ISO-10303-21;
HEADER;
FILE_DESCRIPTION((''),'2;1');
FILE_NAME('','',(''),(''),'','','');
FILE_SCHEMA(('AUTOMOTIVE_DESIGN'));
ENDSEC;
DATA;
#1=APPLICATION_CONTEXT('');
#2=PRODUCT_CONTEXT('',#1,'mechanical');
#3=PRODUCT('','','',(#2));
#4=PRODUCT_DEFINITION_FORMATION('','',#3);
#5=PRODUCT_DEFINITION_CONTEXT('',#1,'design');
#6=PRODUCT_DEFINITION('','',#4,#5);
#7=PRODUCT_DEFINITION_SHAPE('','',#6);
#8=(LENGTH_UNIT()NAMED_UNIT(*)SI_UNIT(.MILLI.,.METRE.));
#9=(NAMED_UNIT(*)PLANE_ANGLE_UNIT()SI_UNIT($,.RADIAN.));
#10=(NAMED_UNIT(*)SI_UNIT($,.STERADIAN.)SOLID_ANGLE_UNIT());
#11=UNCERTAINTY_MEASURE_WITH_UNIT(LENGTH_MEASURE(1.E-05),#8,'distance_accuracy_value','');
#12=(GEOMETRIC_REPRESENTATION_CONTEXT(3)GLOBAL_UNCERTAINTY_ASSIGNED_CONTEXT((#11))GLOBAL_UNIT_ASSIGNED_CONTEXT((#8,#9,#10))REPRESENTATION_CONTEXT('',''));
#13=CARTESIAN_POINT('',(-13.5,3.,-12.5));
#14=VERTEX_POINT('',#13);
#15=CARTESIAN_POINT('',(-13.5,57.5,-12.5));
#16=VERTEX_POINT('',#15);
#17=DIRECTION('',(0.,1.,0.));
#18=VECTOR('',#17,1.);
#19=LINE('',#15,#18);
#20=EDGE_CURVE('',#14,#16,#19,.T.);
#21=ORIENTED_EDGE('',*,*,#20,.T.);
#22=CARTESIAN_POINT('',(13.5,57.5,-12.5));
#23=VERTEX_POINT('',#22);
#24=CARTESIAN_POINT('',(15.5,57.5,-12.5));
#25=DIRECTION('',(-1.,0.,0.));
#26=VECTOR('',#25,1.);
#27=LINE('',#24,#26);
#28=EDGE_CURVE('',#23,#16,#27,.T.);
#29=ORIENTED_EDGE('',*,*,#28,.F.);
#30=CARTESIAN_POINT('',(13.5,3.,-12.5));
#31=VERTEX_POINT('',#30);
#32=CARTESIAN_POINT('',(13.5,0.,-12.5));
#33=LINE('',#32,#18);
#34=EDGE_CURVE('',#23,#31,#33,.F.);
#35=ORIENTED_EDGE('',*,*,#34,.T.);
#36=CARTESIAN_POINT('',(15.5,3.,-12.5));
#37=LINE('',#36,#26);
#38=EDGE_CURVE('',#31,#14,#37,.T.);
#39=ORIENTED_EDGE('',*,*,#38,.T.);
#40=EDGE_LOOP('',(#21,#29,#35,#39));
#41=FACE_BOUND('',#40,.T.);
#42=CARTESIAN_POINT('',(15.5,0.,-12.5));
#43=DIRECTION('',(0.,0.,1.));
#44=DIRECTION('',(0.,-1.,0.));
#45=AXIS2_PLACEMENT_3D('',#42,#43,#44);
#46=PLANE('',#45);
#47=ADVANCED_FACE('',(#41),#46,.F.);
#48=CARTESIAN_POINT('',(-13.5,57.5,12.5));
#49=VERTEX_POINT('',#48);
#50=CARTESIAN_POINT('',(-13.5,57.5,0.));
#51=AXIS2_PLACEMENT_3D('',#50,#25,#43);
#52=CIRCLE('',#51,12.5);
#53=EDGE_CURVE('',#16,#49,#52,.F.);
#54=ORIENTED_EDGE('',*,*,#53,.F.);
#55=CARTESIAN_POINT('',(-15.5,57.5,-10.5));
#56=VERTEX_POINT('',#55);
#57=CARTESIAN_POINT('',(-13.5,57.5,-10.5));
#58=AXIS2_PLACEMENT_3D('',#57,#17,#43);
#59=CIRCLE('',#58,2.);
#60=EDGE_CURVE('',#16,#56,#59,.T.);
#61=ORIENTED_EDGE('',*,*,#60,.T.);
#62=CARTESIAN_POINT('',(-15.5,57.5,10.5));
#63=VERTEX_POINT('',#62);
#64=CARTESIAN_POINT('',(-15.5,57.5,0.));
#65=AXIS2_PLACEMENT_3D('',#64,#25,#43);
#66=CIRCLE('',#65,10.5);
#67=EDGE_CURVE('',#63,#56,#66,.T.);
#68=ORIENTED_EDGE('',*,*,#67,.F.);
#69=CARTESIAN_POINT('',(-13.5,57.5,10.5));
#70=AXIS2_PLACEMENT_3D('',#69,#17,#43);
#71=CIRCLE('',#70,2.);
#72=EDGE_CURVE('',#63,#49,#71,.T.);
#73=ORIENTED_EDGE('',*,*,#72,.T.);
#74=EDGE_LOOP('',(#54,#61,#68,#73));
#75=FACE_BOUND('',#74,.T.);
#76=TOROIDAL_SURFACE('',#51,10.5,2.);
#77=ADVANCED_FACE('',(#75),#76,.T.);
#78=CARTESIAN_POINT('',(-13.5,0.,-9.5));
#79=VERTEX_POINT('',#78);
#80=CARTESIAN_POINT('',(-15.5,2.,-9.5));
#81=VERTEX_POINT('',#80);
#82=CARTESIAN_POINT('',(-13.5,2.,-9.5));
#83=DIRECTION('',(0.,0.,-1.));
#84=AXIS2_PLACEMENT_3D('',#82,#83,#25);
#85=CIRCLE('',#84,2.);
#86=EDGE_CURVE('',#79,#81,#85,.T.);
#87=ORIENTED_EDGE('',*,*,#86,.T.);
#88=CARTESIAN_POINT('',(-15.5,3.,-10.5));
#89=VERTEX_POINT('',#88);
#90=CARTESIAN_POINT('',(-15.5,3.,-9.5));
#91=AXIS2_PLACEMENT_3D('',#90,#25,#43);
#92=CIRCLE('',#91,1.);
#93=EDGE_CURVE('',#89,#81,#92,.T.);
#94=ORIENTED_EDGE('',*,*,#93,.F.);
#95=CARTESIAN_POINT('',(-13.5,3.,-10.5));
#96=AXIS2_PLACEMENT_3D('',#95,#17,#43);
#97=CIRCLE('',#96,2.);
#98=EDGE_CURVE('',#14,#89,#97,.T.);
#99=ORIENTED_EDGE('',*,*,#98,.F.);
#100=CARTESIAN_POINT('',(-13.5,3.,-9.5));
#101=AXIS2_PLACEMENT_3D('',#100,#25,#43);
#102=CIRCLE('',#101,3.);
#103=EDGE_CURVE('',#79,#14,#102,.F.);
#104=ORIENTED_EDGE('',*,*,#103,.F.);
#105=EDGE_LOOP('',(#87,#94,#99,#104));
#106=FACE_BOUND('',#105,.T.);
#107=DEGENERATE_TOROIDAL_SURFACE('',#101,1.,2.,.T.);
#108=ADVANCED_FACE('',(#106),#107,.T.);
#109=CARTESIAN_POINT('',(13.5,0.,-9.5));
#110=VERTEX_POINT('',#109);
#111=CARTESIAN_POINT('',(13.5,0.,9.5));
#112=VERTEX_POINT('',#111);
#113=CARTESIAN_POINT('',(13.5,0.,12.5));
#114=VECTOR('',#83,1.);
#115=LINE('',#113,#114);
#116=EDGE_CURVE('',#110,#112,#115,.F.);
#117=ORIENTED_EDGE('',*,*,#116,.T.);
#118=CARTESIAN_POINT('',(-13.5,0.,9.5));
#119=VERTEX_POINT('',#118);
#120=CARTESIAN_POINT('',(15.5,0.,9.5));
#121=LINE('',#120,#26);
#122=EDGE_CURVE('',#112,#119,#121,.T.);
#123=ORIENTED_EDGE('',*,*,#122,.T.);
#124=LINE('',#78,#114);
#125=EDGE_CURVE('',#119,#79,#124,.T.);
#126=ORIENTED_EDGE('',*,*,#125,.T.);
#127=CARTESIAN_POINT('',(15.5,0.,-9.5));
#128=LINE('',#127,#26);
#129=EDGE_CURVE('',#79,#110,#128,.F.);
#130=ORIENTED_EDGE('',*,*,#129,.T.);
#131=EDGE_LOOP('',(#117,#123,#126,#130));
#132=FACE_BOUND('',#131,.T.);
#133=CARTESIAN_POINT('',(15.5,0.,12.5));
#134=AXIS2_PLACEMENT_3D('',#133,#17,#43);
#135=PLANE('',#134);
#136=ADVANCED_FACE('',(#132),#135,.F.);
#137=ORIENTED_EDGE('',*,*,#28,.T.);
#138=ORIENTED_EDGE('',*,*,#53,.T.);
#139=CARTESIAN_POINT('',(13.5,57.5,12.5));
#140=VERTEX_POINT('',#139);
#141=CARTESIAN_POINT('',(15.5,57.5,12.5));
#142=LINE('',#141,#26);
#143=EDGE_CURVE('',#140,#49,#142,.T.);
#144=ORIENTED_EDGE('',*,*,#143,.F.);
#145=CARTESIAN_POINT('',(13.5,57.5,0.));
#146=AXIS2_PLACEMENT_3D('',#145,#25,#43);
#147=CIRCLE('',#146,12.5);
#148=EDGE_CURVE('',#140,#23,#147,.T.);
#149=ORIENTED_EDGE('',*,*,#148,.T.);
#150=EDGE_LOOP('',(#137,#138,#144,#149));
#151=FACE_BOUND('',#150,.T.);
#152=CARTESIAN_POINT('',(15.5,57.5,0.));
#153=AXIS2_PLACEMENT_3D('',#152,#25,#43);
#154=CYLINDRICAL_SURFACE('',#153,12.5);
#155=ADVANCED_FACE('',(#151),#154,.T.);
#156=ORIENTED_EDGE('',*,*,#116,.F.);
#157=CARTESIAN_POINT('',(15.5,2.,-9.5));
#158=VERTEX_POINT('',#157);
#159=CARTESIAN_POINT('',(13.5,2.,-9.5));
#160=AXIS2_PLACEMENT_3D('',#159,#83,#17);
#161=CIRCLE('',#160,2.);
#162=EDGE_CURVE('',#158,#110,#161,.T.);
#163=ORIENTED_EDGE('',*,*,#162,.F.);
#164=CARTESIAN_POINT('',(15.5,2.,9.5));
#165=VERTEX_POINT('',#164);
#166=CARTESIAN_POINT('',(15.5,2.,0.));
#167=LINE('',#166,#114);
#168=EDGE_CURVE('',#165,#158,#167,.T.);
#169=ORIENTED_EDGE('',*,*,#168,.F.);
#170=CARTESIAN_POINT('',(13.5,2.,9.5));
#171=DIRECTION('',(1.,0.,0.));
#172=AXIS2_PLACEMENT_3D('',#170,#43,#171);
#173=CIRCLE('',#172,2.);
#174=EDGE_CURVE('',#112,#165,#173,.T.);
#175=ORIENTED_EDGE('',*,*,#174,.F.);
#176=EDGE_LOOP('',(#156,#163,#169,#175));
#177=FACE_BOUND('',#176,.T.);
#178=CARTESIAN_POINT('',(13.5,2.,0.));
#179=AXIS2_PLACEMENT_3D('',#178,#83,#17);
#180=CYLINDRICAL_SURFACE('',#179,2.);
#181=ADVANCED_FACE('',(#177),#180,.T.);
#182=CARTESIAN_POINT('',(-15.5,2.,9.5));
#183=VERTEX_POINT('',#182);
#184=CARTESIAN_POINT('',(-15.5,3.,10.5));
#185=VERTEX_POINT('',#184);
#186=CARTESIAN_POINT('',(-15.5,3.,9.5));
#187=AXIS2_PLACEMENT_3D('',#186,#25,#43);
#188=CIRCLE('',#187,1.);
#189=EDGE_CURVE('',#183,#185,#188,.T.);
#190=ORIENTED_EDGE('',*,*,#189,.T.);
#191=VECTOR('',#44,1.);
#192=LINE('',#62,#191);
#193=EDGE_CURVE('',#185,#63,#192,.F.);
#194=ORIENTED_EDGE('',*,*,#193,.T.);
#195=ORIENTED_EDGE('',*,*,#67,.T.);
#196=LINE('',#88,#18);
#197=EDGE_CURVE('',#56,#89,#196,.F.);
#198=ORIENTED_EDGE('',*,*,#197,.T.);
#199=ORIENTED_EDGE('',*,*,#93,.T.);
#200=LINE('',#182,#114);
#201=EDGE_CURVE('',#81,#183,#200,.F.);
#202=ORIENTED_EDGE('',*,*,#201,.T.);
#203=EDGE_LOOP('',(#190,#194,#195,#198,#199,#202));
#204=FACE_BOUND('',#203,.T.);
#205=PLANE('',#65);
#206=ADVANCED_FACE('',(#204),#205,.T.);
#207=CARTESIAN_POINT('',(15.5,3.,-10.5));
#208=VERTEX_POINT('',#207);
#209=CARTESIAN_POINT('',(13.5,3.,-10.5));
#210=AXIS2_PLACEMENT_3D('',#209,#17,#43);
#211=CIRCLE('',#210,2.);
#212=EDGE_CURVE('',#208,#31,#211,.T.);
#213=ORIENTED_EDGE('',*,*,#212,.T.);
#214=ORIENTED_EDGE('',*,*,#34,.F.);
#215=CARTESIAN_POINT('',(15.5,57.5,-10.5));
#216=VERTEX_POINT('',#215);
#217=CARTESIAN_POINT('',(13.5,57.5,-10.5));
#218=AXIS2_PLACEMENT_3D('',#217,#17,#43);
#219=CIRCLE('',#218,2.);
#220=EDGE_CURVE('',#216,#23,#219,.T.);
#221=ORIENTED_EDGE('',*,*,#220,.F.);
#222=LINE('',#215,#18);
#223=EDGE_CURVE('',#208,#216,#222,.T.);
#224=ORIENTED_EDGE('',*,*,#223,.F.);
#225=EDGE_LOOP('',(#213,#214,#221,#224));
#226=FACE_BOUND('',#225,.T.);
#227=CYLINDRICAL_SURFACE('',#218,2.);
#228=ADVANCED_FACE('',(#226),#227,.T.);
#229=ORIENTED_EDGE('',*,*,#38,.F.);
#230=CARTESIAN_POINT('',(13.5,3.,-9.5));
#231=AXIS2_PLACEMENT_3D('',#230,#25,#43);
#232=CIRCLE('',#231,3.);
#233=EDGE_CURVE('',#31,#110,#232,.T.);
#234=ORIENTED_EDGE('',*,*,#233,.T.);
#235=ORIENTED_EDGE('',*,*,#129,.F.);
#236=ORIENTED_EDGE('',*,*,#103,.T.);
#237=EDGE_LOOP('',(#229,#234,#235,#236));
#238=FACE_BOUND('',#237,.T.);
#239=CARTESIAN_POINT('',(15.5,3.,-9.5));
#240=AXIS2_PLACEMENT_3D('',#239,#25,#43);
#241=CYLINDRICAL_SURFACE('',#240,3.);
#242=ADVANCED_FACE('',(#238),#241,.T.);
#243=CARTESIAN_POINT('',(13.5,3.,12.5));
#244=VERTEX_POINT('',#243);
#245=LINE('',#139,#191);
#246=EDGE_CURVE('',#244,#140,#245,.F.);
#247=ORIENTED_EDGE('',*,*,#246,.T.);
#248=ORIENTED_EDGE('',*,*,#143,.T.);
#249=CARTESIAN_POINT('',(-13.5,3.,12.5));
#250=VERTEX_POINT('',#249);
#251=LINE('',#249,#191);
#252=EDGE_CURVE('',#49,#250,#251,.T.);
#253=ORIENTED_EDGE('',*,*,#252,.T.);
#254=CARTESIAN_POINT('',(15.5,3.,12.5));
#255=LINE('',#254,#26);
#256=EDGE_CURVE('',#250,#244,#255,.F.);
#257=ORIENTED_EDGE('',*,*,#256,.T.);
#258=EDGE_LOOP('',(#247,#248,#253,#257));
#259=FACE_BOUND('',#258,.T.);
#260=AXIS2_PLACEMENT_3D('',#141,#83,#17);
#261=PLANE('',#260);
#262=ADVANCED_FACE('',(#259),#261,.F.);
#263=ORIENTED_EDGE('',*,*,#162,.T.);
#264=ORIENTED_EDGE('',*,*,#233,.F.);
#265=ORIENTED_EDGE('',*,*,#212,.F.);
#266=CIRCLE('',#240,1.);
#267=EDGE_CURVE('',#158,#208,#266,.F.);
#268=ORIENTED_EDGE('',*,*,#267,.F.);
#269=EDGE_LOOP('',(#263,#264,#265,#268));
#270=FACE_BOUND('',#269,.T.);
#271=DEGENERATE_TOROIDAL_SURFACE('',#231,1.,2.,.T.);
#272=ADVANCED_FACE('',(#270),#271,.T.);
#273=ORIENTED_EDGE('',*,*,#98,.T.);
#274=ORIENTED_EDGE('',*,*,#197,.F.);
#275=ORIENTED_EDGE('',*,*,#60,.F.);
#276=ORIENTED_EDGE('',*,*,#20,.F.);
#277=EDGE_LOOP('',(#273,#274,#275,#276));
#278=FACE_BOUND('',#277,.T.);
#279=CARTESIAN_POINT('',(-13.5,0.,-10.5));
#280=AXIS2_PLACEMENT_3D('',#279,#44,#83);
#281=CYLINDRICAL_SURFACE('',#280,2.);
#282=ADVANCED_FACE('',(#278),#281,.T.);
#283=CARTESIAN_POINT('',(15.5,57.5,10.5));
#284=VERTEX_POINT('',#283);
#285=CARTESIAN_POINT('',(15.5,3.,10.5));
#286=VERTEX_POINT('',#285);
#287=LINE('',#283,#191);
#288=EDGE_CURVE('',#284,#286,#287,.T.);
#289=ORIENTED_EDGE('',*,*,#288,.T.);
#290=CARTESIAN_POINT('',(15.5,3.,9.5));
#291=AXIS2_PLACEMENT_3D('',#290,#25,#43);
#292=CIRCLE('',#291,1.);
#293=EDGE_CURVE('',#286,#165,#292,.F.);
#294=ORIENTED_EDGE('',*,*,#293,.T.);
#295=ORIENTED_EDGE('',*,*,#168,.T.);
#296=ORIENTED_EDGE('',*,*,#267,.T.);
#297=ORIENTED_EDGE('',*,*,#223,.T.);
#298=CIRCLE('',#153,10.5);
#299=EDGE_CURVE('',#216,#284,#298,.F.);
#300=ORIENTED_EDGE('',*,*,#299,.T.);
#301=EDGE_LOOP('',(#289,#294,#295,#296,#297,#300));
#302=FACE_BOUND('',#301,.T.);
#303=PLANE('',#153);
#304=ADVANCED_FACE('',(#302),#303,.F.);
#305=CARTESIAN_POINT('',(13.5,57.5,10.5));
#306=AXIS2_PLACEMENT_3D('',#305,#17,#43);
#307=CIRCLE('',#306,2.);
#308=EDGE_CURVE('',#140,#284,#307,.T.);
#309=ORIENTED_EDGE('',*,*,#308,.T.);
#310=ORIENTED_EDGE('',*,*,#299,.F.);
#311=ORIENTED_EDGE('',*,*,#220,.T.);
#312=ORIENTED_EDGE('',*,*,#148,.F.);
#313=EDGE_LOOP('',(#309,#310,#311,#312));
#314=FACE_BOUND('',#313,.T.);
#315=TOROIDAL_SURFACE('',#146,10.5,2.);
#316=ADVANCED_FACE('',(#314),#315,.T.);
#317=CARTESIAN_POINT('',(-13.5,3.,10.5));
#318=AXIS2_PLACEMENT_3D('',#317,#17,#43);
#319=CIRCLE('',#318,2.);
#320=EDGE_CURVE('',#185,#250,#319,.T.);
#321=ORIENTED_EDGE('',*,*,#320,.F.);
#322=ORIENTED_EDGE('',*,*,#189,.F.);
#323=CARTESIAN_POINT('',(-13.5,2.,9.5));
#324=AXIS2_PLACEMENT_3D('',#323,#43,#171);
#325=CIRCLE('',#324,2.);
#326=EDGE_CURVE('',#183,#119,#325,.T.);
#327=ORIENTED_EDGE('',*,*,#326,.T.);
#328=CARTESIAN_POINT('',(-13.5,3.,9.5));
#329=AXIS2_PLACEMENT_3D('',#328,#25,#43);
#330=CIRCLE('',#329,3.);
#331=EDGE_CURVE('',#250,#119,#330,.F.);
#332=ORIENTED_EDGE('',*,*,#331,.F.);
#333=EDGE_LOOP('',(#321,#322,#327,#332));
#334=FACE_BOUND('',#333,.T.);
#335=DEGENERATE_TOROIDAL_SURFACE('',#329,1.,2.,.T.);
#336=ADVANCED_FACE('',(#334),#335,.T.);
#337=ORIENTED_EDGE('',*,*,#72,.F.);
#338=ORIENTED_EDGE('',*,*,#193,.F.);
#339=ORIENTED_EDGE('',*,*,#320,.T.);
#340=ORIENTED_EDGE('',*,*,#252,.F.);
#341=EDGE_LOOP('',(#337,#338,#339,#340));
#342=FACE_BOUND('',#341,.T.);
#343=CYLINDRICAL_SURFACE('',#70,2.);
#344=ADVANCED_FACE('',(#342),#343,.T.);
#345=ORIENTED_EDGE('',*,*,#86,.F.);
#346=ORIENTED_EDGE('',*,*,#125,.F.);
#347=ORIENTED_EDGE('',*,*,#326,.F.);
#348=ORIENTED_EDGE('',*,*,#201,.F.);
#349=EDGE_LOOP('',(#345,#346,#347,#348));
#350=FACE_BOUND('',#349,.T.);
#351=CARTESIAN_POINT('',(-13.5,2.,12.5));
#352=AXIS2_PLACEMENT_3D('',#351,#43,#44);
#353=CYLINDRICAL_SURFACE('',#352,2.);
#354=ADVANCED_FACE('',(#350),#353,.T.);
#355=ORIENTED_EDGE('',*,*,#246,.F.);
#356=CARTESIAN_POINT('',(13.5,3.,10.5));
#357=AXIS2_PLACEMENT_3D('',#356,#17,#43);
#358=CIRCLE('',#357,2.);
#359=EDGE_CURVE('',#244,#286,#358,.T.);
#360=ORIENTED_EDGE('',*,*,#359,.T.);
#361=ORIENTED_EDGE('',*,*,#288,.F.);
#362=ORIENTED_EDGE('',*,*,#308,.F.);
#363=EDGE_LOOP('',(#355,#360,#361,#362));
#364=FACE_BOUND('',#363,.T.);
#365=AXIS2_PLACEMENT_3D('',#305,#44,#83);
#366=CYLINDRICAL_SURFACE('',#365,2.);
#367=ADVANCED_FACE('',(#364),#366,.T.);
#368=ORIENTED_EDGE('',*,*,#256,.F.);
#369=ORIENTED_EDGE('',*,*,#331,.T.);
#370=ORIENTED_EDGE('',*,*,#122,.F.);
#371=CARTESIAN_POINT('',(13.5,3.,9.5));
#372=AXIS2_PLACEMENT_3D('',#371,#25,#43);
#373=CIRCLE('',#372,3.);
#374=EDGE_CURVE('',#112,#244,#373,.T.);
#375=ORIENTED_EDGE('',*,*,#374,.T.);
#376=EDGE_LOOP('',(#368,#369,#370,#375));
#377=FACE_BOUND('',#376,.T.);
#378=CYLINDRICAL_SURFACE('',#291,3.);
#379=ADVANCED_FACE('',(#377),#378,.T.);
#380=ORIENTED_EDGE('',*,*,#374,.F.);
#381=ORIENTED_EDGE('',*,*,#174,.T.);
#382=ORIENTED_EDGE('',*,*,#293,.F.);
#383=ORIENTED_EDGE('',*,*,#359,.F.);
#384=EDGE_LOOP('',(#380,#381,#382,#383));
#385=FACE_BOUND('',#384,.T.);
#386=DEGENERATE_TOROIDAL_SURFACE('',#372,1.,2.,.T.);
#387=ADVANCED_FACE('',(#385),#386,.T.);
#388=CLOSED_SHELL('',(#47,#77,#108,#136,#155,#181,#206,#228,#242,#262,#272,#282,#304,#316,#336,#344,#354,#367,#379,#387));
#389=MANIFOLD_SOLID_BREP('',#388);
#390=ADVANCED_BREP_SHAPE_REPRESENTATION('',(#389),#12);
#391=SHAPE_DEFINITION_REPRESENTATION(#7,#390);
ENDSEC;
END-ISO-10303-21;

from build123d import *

# Parameters (mm, degrees)
BOSS_EXTRUDE1_DEPTH = 15.5
FILLET1_R           = 3
FILLET2_R           = 2


with BuildPart() as part:
    # Sketch1 → Boss-Extrude1 (new, symmetric)
    with BuildSketch(Plane(origin=(0, 0, 0), x_dir=(0, 0, -1), z_dir=(1, 0, 0))):
        with BuildLine():
            Line((-12.5, 57.5), (-12.5, 0))
            Line((-12.5, 0), (12.5, 0))
            Line((12.5, 0), (12.5, 57.5))
            ThreePointArc((12.5, 57.5), (0, 70), (-12.5, 57.5))
        make_face()
    extrude(amount=BOSS_EXTRUDE1_DEPTH, both=True)

    # Fillet1
    fillet1_edges = [part.edges().sort_by_distance(p)[0] for p in [
        (0, 0, -12.5),
        (0, 0, 12.5),
    ]]
    fillet(fillet1_edges, radius=FILLET1_R)

    # Fillet2
    fillet2_edges = [part.edges().sort_by_distance(p)[0] for p in [
        (-15.5, 30.25, -12.5),
        (15.5, 30.25, -12.5),
        (-15.5, 0, 0),
        (-15.5, 0.878679656, 11.621320344),
        (-15.5, 0.878679656, -11.621320344),
        (15.5, 0, 0),
        (15.5, 0.878679656, 11.621320344),
        (15.5, 0.878679656, -11.621320344),
        (15.5, 70, 0),
        (-15.5, 30.25, 12.5),
        (-15.5, 70, 0),
        (15.5, 30.25, 12.5),
    ]]
    fillet(fillet2_edges, radius=FILLET2_R)


solid = part.part
